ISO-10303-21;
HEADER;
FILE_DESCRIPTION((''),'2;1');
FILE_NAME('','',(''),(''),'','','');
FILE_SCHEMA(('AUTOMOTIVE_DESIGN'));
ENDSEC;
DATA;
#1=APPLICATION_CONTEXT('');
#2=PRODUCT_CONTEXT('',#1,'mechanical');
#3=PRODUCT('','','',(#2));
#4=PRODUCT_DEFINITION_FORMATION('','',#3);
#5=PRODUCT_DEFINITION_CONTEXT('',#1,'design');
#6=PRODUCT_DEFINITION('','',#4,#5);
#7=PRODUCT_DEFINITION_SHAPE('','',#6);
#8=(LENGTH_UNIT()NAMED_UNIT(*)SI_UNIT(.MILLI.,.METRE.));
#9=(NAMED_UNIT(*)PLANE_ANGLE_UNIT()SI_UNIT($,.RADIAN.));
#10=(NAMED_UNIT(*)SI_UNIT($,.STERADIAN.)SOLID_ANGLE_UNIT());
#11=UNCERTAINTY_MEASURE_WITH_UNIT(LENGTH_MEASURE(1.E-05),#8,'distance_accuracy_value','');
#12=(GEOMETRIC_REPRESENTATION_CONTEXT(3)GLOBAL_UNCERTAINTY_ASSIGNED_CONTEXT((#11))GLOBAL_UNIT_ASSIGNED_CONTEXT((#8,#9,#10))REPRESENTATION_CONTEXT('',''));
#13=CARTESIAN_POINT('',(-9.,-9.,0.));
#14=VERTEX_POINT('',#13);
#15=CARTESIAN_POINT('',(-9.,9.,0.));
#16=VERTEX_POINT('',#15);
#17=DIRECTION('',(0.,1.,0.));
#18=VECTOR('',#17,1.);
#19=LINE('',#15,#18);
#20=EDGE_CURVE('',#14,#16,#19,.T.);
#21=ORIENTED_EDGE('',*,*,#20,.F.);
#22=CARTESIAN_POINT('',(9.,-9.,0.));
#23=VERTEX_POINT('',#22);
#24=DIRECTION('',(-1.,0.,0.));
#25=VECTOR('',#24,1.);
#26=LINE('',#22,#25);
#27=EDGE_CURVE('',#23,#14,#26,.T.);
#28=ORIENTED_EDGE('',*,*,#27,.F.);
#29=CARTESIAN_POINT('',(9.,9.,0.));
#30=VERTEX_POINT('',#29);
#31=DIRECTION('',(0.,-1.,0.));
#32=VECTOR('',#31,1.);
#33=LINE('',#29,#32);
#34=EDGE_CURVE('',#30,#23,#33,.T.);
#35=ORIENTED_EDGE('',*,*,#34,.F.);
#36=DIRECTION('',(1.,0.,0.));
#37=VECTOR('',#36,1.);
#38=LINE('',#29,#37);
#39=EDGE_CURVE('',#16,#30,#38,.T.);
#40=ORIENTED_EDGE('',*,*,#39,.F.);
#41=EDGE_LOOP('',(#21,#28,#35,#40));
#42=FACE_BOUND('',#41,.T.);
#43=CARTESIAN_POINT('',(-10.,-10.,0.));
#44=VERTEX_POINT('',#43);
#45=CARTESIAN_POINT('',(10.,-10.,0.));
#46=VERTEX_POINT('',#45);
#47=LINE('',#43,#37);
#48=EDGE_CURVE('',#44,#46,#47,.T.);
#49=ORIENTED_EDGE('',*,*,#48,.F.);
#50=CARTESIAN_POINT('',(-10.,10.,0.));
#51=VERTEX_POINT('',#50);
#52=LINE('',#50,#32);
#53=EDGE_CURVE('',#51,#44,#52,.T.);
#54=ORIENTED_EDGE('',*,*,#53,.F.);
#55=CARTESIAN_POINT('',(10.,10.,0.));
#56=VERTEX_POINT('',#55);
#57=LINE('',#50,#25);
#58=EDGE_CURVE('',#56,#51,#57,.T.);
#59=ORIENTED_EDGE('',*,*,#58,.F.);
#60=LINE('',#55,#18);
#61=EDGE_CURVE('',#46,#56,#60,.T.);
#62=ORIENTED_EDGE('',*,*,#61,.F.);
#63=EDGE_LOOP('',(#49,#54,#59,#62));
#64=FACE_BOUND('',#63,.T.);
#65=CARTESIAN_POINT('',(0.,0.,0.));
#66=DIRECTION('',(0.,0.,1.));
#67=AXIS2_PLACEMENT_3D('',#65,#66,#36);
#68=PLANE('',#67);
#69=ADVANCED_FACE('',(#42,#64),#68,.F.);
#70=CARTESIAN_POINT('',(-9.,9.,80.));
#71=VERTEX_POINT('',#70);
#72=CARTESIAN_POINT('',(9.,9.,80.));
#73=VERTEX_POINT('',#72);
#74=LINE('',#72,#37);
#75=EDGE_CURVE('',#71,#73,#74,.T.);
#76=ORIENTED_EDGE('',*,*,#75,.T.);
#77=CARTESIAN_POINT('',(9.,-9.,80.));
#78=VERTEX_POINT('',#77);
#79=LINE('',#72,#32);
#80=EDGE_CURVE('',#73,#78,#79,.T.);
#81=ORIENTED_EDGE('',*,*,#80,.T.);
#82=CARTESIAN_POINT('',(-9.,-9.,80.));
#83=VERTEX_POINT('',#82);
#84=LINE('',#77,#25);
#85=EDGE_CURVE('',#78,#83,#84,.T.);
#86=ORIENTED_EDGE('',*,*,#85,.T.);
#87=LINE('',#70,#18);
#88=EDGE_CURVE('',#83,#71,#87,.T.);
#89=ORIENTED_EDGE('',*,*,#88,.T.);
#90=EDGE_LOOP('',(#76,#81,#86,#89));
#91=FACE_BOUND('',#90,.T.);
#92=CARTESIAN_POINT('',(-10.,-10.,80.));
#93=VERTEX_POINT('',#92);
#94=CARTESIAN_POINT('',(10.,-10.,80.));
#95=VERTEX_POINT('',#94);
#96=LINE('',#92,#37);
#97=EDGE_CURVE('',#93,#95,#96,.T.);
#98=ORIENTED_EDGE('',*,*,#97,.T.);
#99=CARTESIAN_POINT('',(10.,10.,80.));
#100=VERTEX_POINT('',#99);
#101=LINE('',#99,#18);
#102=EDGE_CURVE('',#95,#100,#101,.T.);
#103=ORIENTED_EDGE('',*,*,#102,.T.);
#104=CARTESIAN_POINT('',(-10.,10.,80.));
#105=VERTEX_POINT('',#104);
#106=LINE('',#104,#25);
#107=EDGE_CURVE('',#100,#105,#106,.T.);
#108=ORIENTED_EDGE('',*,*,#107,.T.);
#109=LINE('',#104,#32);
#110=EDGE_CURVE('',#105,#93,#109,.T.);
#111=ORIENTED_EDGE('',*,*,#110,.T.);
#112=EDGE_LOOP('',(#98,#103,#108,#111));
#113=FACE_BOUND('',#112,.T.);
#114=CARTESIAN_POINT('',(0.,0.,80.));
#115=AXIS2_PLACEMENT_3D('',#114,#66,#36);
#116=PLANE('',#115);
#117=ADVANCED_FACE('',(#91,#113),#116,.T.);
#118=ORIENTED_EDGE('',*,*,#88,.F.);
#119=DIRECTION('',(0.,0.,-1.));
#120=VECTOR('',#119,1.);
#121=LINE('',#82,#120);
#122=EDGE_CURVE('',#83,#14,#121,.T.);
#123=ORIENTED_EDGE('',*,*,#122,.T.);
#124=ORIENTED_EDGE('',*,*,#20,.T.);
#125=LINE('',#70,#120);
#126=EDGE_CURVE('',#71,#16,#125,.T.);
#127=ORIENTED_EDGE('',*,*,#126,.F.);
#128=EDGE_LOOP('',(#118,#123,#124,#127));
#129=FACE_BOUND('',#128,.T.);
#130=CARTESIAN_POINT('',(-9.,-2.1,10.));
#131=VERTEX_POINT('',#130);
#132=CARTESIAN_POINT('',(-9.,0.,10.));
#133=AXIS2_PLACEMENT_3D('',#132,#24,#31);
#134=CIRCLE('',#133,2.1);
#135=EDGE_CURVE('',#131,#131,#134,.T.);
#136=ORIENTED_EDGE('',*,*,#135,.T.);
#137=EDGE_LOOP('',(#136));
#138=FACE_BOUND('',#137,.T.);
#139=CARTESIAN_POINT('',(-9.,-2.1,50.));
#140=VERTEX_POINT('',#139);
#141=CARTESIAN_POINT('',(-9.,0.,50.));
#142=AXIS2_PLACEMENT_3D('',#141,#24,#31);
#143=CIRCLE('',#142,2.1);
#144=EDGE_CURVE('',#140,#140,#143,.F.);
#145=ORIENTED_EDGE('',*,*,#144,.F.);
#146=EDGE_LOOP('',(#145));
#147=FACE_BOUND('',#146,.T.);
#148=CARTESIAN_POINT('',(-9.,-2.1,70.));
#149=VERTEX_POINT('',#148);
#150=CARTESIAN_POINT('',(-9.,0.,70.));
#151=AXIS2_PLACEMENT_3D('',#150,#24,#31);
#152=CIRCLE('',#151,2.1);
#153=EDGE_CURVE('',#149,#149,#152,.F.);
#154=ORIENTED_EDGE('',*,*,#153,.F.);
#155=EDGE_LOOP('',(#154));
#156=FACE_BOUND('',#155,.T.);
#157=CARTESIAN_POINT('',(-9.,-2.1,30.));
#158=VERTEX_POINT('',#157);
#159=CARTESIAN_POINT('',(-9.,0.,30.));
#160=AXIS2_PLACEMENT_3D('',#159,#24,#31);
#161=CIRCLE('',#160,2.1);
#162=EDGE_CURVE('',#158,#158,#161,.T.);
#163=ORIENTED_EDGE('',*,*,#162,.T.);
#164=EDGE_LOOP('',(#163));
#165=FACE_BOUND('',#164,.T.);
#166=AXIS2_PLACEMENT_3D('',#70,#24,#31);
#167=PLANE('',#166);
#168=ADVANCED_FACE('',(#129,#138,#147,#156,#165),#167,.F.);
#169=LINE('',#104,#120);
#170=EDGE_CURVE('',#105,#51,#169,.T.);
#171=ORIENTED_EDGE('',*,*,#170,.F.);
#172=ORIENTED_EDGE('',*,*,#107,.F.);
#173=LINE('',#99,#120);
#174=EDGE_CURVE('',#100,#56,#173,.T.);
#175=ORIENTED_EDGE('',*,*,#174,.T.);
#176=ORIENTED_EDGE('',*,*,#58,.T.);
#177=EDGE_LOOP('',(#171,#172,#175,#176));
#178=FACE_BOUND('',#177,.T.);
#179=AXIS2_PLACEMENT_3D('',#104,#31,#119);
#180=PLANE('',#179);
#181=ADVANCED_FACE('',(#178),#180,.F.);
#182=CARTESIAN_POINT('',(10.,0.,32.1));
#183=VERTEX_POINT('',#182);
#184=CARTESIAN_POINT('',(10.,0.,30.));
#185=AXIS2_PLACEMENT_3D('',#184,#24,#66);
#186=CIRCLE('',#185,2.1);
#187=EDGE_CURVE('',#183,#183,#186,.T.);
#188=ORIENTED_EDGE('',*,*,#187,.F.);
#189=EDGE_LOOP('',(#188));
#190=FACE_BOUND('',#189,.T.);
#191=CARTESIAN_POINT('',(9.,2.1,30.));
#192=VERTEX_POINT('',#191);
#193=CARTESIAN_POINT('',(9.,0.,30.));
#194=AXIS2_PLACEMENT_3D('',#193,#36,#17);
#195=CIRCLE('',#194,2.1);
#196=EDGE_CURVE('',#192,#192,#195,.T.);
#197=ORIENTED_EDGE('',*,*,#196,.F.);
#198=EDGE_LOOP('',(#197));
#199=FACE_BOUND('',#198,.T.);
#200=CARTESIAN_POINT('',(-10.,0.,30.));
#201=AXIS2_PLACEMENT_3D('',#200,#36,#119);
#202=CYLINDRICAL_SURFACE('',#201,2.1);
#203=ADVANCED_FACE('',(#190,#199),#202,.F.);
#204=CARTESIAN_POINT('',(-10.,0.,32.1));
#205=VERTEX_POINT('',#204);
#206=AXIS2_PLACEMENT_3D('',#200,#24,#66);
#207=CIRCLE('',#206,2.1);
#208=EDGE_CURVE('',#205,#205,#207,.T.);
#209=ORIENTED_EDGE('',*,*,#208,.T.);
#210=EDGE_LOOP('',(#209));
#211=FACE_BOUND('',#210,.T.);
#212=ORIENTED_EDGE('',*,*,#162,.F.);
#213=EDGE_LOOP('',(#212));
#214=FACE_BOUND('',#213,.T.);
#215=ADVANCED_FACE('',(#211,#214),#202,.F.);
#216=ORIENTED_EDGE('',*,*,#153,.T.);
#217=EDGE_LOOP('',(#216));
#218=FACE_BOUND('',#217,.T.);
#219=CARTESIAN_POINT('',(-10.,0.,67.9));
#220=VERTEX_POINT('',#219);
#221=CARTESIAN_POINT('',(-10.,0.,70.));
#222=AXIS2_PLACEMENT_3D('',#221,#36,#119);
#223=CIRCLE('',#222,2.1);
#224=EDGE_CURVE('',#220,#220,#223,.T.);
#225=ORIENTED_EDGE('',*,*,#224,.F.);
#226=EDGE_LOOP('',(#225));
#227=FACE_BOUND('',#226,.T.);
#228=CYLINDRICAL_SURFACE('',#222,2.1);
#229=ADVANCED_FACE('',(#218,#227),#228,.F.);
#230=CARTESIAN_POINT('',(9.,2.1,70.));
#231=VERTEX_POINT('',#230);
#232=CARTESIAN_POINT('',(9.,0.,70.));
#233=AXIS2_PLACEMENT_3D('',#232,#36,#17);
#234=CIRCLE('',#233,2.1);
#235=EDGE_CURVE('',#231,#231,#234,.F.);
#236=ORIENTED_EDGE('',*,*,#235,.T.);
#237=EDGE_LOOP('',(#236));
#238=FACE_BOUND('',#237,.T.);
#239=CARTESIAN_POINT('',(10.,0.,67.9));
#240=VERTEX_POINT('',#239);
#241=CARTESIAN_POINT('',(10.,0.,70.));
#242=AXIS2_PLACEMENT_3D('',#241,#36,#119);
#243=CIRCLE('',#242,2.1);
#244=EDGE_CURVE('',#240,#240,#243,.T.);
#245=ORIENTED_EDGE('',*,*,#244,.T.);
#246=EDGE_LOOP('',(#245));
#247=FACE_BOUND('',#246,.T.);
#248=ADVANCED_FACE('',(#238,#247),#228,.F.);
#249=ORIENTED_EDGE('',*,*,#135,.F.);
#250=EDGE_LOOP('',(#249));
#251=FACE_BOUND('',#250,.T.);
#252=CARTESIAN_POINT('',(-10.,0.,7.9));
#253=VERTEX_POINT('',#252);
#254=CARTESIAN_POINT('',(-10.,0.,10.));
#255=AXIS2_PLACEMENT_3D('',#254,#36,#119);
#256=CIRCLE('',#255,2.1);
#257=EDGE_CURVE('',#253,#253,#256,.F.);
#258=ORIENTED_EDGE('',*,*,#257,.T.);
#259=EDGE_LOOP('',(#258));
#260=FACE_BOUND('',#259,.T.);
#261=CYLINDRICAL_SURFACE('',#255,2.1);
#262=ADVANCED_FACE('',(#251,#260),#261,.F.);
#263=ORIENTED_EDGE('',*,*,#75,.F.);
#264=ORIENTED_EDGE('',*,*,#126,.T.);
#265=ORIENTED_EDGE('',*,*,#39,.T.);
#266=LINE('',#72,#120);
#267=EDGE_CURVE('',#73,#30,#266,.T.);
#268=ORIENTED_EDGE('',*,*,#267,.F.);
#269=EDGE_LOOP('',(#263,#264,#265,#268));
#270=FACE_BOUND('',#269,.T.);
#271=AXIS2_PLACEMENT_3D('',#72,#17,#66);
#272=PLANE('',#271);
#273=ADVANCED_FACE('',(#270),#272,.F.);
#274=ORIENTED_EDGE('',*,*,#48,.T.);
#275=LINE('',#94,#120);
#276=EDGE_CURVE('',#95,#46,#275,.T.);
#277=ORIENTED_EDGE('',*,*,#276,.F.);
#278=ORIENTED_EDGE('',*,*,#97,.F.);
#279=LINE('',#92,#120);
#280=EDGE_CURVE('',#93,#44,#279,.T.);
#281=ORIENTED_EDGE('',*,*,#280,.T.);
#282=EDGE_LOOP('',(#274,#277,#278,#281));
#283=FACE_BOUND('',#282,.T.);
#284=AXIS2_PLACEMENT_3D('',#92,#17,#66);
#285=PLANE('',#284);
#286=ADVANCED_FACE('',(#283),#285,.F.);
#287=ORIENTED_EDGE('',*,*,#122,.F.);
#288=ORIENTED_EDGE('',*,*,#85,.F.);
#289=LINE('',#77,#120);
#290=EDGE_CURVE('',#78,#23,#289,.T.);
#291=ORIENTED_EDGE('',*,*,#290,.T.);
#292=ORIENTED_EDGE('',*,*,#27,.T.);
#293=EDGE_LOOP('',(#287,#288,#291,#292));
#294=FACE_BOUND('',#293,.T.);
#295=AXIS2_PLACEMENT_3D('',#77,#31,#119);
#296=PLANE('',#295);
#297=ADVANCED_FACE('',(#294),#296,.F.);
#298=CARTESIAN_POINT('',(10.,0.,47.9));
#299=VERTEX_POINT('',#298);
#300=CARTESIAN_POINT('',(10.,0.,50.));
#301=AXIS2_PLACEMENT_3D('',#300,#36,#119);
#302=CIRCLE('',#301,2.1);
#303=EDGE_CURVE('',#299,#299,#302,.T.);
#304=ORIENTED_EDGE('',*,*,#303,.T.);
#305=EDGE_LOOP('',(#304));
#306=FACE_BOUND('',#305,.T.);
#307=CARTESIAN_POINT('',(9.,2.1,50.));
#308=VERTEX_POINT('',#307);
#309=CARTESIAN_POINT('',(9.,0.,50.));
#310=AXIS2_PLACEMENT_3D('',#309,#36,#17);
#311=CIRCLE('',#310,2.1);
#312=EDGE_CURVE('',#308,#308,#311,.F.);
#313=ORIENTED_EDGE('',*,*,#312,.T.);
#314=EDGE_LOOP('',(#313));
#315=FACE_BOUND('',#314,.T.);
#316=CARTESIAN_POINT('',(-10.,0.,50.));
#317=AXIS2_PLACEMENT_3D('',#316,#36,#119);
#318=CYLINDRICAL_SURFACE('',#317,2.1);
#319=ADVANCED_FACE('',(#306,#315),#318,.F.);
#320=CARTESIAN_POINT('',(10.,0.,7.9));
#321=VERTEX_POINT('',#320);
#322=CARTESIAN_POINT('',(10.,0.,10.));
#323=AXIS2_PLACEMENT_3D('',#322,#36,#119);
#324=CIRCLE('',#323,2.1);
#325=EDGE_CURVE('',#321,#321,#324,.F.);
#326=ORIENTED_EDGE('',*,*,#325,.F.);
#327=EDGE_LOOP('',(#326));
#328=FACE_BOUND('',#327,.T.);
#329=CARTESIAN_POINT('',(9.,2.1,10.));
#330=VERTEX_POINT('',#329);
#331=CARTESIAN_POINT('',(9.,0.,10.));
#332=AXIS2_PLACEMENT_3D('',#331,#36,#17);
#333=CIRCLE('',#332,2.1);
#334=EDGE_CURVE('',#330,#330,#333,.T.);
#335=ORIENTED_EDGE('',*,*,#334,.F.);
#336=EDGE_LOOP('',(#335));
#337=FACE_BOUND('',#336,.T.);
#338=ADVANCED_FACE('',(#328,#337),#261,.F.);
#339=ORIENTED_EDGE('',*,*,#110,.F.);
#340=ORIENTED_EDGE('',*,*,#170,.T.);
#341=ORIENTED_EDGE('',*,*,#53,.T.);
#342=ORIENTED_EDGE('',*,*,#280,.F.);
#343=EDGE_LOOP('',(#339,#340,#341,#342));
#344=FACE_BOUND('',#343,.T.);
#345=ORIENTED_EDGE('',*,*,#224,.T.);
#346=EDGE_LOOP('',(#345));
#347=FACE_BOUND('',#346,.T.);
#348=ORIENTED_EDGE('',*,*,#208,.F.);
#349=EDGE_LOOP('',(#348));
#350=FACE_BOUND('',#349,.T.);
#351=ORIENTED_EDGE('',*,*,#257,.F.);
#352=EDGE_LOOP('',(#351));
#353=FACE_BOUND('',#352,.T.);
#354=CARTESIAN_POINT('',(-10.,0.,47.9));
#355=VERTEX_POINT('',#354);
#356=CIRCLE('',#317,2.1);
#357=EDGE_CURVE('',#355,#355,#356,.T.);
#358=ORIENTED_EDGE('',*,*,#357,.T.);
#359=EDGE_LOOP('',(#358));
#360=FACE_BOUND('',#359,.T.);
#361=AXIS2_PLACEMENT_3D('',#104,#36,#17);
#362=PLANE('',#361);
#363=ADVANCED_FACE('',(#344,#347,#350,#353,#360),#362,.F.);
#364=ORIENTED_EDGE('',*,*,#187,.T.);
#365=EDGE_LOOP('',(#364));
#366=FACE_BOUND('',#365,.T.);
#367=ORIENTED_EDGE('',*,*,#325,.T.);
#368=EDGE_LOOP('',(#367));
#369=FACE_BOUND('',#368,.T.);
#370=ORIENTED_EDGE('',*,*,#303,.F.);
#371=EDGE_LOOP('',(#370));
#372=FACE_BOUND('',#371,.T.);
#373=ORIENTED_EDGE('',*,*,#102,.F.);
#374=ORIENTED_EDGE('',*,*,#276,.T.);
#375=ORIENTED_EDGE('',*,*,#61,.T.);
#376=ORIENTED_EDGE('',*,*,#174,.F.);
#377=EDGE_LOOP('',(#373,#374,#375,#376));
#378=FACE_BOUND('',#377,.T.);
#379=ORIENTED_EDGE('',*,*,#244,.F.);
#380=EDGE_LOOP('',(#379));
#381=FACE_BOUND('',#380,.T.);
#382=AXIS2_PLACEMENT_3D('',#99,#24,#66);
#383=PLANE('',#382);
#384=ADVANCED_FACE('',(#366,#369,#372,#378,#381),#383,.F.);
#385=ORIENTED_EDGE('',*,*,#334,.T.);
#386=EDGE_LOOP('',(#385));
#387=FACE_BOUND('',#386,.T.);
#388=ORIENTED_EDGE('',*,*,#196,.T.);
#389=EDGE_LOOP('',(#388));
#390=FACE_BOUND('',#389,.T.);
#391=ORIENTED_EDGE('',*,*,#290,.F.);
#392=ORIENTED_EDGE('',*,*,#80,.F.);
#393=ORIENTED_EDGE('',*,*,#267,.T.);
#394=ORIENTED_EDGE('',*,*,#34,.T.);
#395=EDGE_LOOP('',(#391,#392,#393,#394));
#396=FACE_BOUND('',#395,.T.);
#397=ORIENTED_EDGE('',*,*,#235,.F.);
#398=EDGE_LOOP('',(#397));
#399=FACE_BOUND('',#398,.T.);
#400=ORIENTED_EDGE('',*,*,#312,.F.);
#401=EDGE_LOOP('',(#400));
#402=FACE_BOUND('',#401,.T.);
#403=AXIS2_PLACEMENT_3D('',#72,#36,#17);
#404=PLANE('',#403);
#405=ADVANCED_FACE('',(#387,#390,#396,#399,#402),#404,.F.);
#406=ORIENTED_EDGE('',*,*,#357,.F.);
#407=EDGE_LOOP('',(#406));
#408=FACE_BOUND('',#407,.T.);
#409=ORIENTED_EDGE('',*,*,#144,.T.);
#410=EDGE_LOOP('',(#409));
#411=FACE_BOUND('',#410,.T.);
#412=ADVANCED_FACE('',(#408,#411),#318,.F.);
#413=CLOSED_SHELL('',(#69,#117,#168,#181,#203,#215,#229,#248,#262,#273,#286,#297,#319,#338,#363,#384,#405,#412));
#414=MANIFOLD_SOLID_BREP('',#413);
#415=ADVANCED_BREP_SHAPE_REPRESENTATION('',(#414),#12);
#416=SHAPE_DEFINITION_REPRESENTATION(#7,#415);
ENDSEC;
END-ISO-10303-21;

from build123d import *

# Parameters (mm, degrees)
SKETCH_1_W          = 20
SKETCH_1_H          = 20
EXTRUDE_1_DEPTH     = 80
SKETCH_2_R          = 2.1
CUT_EXTRUDE_1_DEPTH = 84.066238629
SKETCH_3_W          = 18
SKETCH_3_H          = 18
CUT_EXTRUDE_2_DEPTH = 82.240384046


with BuildPart() as part:
    # 草图1 → 凸台-拉伸1 (new body)
    with BuildSketch(Plane.XY):
        Rectangle(SKETCH_1_W, SKETCH_1_H)
    extrude(amount=EXTRUDE_1_DEPTH)

    # 草图2 → 切除-拉伸1 (cut, through all)
    with BuildSketch(Plane(origin=(10, 0, 0), x_dir=(0, 0, -1), z_dir=(1, 0, 0))):
        with Locations((-70, 0)):
            Circle(SKETCH_2_R)
        with Locations((-10, 0)):
            Circle(SKETCH_2_R)
        with Locations((-50, 0)):
            Circle(SKETCH_2_R)
        with Locations(Location((-30, 0, 0), (0, 0, 180))):
            Circle(SKETCH_2_R)
    extrude(amount=-CUT_EXTRUDE_1_DEPTH, mode=Mode.SUBTRACT)

    # 草图3 → 切除-拉伸2 (cut, through all)
    with BuildSketch(Plane(origin=(0, 0, 0), x_dir=(-1, 0, 0), z_dir=(0, 0, -1))):
        Rectangle(SKETCH_3_W, SKETCH_3_H)
    extrude(amount=-CUT_EXTRUDE_2_DEPTH, mode=Mode.SUBTRACT)


solid = part.part
